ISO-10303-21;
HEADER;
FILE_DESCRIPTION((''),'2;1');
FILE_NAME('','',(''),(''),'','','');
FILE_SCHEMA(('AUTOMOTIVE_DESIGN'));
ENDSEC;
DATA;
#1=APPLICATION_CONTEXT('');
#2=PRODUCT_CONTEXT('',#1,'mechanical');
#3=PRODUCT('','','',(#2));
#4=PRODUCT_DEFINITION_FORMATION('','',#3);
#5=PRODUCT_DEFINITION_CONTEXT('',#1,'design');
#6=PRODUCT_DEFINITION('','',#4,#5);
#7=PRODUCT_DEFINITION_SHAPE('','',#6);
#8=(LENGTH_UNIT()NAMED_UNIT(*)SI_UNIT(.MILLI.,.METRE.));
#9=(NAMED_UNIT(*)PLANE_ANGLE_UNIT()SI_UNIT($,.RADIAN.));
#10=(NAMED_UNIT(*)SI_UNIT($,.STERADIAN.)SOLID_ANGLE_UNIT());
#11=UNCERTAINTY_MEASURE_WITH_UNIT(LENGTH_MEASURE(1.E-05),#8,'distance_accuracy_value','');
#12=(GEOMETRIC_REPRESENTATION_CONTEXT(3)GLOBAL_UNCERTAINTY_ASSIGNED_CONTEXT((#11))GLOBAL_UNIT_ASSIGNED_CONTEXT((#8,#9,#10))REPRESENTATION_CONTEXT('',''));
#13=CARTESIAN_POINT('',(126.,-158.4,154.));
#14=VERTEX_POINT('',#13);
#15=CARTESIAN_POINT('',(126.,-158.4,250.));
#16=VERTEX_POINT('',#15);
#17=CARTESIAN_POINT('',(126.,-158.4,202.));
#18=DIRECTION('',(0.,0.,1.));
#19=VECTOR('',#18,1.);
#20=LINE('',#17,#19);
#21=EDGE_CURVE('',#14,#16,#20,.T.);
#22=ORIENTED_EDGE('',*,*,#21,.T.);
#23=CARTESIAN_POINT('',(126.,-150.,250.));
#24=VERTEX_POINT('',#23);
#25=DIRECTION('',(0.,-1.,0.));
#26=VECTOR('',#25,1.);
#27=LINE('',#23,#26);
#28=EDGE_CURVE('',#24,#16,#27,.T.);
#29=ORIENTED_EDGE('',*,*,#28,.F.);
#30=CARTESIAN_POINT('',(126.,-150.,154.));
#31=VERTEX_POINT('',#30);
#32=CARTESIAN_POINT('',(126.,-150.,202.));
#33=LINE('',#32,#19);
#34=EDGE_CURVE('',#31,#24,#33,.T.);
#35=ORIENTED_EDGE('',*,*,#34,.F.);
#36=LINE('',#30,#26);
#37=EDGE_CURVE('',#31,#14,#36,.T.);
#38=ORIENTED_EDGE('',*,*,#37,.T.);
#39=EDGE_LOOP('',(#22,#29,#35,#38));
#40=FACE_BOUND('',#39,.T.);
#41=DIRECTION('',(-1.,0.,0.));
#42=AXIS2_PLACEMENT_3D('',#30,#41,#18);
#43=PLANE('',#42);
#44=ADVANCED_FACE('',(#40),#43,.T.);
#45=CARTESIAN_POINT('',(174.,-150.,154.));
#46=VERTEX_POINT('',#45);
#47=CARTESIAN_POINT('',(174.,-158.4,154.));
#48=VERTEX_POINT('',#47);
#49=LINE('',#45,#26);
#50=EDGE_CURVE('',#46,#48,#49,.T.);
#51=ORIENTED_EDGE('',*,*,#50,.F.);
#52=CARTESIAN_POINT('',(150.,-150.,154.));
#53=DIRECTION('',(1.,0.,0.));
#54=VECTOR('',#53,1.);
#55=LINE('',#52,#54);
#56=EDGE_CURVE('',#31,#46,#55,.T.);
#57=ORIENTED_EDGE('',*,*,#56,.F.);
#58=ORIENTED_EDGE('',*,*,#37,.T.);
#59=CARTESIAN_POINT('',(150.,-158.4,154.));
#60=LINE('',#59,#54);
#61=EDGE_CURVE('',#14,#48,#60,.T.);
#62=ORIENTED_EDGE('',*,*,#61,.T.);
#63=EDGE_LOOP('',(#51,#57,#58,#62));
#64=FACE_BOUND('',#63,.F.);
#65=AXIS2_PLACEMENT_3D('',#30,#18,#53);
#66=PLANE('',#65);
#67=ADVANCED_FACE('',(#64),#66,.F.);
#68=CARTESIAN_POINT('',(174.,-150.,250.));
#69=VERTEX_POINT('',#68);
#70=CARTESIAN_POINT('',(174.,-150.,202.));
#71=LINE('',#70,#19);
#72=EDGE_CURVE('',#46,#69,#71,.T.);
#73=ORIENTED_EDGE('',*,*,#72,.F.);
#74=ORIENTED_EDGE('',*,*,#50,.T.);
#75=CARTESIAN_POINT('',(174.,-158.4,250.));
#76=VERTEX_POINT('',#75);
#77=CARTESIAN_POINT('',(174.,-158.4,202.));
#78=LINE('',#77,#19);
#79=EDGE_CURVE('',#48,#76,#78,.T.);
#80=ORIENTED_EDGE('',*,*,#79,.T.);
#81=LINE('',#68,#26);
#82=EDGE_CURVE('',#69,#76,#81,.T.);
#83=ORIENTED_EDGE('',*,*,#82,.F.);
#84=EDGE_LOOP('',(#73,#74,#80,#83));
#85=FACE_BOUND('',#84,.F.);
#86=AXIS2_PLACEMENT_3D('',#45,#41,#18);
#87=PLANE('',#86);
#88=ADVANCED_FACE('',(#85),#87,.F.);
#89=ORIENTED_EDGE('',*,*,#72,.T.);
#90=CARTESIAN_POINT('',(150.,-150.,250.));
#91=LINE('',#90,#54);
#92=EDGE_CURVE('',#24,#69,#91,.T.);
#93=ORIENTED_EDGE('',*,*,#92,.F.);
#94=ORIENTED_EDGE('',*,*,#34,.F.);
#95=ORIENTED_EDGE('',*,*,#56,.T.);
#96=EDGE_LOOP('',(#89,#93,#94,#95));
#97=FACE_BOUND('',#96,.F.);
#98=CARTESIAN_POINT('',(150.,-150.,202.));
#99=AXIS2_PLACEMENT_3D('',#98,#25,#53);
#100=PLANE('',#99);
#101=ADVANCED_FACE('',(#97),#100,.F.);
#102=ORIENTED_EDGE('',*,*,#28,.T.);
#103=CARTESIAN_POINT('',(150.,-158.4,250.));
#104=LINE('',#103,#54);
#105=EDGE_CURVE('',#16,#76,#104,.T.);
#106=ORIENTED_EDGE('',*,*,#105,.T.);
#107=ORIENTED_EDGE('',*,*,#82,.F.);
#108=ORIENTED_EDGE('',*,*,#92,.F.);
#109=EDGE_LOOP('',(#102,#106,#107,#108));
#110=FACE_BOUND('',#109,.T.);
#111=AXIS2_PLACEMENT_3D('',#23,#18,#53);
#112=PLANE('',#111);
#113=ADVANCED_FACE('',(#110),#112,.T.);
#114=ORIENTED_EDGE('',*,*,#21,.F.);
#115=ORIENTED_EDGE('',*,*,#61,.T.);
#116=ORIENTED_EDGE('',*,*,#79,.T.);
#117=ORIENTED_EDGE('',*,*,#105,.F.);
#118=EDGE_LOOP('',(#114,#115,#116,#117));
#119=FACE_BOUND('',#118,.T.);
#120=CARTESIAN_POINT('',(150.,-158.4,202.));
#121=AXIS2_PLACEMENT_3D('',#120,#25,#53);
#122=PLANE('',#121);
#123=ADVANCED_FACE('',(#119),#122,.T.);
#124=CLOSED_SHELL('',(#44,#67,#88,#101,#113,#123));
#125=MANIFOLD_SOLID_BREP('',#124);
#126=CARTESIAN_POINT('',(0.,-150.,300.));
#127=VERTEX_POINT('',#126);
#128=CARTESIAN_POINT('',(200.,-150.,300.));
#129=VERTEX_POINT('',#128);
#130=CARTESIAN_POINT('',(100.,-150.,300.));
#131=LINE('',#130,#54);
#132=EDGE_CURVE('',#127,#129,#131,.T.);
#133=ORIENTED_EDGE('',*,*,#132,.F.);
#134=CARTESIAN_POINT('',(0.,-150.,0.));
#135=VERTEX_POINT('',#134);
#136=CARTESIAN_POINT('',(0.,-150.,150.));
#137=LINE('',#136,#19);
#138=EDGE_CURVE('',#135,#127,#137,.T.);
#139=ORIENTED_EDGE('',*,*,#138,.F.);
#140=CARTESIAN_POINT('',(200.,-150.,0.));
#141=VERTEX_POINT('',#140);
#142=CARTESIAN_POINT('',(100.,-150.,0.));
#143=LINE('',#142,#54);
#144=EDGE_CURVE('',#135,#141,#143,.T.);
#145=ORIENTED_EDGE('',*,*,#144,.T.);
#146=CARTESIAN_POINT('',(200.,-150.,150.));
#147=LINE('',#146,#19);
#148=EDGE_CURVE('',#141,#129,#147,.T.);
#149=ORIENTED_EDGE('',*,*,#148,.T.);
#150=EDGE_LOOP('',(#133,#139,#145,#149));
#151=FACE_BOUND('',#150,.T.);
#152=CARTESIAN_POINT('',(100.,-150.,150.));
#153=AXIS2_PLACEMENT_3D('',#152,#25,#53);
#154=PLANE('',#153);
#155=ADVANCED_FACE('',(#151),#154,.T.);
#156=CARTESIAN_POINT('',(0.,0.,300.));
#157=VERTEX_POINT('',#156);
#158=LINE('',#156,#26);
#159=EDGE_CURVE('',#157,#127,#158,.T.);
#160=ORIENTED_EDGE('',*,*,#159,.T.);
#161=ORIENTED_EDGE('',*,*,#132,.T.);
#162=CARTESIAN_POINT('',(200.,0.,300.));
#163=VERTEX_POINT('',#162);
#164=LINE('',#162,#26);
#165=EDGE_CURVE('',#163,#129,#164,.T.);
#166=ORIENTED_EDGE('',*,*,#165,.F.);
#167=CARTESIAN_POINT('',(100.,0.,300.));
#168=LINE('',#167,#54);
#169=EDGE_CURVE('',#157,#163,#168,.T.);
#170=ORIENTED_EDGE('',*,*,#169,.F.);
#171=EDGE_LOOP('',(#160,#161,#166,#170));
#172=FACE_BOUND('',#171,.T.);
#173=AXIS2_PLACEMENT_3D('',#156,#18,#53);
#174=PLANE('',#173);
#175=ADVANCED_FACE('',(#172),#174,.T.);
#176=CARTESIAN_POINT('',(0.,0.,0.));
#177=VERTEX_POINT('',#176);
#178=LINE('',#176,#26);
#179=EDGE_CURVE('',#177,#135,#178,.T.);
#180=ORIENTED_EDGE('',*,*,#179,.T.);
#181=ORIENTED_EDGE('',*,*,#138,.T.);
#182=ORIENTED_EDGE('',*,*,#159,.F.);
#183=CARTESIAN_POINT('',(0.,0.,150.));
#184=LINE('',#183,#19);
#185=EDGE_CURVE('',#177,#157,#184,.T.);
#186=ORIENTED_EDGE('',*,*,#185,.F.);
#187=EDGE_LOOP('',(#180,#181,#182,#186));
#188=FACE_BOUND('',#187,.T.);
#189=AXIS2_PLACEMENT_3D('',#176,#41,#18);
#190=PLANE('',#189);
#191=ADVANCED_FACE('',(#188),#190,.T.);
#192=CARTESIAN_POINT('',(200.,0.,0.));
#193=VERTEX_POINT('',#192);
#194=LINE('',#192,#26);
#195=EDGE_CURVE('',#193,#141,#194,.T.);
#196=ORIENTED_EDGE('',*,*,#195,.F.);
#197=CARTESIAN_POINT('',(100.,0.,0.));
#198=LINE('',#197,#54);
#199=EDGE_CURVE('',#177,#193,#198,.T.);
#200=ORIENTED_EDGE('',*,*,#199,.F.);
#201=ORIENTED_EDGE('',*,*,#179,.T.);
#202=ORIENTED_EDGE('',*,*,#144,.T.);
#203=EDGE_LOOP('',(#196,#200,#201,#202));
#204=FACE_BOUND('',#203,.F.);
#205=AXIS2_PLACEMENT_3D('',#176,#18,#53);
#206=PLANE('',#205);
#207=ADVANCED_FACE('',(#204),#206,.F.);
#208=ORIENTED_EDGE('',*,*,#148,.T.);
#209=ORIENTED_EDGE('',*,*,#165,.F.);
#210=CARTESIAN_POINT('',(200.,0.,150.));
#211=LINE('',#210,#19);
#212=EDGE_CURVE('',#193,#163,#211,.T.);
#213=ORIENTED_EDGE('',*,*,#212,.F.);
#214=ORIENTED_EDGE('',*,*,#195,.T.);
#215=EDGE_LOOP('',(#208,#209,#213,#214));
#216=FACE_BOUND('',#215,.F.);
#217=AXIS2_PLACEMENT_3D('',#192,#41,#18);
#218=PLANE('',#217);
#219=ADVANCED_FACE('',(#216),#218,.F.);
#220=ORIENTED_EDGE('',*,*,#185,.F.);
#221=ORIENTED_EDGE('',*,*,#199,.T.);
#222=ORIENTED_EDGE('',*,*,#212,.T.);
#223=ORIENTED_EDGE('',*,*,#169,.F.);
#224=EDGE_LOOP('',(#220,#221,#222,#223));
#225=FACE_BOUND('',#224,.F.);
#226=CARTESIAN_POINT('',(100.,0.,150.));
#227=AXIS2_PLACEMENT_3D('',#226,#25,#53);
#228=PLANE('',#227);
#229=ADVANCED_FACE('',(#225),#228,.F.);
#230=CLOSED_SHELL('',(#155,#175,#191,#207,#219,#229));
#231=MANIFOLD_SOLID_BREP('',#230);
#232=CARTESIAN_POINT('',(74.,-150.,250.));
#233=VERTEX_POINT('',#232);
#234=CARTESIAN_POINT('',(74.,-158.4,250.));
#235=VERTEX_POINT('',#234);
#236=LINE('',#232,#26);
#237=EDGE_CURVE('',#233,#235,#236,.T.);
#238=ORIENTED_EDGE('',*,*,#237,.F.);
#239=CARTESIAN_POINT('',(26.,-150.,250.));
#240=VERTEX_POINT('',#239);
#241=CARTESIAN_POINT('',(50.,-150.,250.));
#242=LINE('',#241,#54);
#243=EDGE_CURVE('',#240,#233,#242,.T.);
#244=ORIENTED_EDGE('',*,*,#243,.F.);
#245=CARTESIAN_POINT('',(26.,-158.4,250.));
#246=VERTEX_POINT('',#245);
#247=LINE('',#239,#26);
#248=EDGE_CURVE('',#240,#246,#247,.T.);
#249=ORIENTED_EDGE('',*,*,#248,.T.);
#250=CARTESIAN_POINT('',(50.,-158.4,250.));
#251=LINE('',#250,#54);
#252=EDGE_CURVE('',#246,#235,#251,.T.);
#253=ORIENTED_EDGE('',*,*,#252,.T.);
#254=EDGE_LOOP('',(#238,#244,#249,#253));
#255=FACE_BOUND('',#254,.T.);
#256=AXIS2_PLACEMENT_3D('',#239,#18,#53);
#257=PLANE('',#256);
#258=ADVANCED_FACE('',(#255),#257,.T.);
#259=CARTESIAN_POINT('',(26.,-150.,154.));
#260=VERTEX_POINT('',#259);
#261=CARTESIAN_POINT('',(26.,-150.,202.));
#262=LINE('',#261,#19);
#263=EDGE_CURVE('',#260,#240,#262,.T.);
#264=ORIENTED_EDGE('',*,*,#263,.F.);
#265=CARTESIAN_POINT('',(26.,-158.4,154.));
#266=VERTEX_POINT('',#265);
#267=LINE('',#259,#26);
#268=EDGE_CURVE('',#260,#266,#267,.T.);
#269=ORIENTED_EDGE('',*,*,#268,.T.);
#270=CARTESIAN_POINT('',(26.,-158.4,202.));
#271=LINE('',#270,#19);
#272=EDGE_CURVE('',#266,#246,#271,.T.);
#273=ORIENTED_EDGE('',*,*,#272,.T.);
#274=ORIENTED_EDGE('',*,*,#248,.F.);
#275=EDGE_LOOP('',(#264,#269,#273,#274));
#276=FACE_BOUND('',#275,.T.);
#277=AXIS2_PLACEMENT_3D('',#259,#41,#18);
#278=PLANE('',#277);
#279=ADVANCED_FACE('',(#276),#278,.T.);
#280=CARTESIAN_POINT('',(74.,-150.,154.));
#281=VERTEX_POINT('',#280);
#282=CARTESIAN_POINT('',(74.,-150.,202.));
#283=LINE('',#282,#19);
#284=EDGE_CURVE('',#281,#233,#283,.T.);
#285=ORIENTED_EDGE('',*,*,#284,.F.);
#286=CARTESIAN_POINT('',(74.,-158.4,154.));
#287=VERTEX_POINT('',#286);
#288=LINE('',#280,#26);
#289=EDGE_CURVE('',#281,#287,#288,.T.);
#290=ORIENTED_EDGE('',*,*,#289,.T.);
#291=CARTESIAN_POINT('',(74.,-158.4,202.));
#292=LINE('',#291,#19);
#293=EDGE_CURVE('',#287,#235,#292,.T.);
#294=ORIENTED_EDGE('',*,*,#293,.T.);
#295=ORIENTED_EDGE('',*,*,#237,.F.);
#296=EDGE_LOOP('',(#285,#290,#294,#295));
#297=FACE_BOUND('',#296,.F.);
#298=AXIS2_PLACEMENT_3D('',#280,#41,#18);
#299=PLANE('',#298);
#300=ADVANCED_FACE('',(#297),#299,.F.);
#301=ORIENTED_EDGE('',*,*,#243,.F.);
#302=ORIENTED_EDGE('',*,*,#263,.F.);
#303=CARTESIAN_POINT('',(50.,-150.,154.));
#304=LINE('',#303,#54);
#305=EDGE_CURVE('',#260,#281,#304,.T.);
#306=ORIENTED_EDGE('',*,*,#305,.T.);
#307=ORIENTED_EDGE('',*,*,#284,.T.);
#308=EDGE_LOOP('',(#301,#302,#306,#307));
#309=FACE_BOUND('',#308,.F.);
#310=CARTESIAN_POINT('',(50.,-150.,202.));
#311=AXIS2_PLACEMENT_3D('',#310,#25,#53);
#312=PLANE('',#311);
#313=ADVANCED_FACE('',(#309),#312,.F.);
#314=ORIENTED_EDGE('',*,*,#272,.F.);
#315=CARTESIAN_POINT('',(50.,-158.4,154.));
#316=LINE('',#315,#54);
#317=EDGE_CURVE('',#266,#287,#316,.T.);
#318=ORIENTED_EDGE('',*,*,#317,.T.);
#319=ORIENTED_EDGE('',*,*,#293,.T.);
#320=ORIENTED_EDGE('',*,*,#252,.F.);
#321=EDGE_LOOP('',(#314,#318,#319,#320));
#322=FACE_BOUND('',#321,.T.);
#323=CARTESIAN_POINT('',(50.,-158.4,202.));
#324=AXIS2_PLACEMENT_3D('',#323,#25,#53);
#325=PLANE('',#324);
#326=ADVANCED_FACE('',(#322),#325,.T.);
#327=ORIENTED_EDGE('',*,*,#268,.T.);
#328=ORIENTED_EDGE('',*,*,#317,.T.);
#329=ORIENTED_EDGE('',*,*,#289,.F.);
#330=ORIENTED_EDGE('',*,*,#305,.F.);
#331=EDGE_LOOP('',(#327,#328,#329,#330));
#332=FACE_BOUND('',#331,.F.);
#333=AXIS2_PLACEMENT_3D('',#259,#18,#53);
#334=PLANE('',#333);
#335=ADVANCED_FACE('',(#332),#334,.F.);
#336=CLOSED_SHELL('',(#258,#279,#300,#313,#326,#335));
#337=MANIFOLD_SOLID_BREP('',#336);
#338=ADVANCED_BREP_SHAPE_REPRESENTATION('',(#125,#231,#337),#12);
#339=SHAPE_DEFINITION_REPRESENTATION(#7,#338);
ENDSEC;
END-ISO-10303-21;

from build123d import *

# Parameters (mm, degrees)
F0_W     = 200
F0_H     = 300
F1_DEPTH = 150
F2_W     = 48
F2_H     = 96
F3_DEPTH = 8.4


with BuildPart() as f1:
    # F0 (on Front) → F1 (new body)
    with BuildSketch(Plane.XZ):
        with Locations((100, 150)):
            Rectangle(F0_W, F0_H)
    extrude(amount=F1_DEPTH)


with BuildPart() as f3:
    # F2 (on face) → F3 (new body)
    with BuildSketch(Plane.XZ.offset(150)):
        with Locations((50, 202)):
            Rectangle(F2_W, F2_H)
        with Locations((150, 202)):
            Rectangle(F2_W, F2_H)
    extrude(amount=F3_DEPTH)


solid = Compound([f1.part, f3.part])
